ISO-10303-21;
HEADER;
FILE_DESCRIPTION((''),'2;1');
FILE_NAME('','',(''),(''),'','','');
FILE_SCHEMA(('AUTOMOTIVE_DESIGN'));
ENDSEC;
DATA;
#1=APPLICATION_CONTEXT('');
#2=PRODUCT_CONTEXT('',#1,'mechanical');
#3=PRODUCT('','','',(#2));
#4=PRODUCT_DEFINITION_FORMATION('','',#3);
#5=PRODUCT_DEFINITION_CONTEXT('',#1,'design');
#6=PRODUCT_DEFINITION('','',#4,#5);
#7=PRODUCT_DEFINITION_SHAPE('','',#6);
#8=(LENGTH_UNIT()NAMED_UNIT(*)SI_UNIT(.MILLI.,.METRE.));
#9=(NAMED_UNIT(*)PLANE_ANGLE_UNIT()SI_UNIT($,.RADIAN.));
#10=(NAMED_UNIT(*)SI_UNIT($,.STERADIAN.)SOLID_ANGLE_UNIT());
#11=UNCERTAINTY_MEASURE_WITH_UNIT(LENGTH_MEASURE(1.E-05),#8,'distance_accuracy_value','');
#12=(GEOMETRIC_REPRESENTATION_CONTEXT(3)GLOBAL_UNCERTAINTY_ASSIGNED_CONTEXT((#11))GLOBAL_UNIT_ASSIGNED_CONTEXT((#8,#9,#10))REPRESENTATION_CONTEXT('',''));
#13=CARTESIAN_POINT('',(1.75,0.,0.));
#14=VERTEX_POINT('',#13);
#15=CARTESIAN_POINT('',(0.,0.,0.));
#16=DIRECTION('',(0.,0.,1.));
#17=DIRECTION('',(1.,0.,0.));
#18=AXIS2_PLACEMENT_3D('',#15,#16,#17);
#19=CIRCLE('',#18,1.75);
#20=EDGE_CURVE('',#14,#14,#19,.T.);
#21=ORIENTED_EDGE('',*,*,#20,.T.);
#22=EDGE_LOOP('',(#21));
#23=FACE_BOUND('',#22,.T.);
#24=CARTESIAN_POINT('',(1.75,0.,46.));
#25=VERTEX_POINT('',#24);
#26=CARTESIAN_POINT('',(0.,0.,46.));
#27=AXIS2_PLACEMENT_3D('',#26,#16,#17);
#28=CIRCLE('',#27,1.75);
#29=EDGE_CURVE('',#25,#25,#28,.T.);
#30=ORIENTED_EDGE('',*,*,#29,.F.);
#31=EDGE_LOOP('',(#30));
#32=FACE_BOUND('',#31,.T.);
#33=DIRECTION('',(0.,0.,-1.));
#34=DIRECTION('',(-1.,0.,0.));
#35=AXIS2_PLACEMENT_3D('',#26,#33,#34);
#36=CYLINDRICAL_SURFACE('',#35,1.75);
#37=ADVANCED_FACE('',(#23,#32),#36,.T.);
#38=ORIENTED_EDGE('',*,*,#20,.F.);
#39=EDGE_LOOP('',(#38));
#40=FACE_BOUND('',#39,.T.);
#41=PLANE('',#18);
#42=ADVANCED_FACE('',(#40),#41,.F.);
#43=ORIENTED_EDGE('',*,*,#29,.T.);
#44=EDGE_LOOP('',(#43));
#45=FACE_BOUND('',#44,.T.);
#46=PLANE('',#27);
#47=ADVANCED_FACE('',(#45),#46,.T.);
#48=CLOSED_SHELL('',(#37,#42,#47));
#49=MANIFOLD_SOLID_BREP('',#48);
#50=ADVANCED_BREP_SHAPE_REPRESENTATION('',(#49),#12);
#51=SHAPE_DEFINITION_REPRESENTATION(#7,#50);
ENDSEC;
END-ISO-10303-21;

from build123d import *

# Parameters (mm, degrees)
ESBO_O1_R                = 1.75
RESSALTO_EXTRUS_O1_DEPTH = 46


with BuildPart() as part:
    # Esboço1 → Ressalto-extrusão1 (new body)
    with BuildSketch(Plane.XY):
        Circle(ESBO_O1_R)
    extrude(amount=RESSALTO_EXTRUS_O1_DEPTH)


solid = part.part
